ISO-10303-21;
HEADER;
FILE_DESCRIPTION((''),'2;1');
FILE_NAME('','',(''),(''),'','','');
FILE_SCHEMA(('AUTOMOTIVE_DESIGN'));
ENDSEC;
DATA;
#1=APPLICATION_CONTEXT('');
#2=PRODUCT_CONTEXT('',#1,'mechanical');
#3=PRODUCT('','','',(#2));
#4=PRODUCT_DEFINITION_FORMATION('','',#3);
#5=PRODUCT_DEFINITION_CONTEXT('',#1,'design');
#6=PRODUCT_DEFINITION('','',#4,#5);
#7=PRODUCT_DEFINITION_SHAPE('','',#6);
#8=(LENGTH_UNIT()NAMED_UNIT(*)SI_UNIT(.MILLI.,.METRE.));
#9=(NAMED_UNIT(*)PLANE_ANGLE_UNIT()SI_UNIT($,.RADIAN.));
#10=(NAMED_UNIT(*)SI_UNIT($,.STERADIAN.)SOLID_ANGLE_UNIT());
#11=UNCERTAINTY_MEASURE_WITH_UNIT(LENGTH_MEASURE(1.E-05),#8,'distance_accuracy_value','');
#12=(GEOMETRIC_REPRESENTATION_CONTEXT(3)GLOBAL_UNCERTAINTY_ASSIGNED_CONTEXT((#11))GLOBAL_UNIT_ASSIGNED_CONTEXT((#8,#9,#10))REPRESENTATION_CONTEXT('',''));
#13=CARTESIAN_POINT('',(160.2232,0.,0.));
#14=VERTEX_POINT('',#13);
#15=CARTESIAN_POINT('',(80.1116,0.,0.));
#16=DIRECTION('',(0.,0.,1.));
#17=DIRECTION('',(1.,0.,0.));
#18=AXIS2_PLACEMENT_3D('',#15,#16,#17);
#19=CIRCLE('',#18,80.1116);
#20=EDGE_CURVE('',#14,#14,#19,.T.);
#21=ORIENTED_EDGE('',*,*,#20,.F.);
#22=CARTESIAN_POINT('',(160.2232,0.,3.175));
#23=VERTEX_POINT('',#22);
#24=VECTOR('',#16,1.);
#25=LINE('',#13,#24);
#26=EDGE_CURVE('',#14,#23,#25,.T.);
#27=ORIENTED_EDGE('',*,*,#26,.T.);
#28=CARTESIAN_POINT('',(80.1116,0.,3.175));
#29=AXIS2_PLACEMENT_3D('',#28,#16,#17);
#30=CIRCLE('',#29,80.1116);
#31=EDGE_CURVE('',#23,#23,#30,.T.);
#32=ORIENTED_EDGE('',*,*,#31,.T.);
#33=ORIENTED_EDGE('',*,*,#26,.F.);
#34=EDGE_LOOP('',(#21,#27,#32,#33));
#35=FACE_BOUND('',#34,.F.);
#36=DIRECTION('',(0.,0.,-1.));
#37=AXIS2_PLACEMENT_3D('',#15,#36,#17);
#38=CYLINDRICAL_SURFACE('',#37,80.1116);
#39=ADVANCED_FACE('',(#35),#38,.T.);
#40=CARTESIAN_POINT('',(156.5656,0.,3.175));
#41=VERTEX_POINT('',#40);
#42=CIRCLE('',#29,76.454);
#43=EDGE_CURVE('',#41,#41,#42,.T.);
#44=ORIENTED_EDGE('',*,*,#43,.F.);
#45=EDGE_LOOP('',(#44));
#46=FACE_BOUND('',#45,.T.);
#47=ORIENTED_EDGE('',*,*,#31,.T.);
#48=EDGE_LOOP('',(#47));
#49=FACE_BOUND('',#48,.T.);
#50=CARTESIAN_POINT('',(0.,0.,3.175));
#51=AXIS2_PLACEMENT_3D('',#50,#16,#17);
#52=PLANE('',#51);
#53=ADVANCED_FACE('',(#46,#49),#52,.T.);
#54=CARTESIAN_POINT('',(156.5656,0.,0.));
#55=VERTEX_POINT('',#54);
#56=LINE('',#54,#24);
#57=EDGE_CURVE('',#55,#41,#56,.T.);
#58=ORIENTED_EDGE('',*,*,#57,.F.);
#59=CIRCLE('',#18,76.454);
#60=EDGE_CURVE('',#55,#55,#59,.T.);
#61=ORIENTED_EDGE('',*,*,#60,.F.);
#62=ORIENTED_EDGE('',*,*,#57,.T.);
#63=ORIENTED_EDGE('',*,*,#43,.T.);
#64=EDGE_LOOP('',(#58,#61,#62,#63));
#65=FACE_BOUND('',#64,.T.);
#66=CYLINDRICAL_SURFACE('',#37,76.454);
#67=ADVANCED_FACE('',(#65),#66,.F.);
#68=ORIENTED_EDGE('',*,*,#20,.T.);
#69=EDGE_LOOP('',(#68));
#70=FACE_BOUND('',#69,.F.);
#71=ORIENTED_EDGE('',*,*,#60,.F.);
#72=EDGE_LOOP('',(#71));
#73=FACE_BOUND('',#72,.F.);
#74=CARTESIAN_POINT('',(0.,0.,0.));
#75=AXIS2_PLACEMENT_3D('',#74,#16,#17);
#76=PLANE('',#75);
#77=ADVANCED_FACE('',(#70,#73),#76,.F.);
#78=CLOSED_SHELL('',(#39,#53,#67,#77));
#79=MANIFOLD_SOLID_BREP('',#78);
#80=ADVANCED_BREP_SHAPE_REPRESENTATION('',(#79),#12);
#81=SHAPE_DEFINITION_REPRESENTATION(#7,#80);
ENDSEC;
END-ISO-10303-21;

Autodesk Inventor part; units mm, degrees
ref_plane "YZ Plane" through (0, 0, 0) normal (1, 0, 0) x (0, 1, 0)
ref_plane "XZ Plane" through (0, 0, 0) normal (0, 1, 0) x (-1, 0, 0)
ref_plane "Work Plane1" through (0, 0, 0) normal (0, 0, 1) x (1, 0, 0)
sketch "Sketch1" plane through (0, 0, 0) normal (0, 0, 1) x (1, 0, 0)
  circle A0 centre (80.1116, 0) radius 76.454 projected
  circle A1 centre (80.1116, 0) radius 80.1116 projected
  point P0 (0, 0)
extrude "Extrusion1" add sketch "Sketch1" along normal blind 3.175
properties part number "1135_Sq O Ring_V1" material "Rubber"
